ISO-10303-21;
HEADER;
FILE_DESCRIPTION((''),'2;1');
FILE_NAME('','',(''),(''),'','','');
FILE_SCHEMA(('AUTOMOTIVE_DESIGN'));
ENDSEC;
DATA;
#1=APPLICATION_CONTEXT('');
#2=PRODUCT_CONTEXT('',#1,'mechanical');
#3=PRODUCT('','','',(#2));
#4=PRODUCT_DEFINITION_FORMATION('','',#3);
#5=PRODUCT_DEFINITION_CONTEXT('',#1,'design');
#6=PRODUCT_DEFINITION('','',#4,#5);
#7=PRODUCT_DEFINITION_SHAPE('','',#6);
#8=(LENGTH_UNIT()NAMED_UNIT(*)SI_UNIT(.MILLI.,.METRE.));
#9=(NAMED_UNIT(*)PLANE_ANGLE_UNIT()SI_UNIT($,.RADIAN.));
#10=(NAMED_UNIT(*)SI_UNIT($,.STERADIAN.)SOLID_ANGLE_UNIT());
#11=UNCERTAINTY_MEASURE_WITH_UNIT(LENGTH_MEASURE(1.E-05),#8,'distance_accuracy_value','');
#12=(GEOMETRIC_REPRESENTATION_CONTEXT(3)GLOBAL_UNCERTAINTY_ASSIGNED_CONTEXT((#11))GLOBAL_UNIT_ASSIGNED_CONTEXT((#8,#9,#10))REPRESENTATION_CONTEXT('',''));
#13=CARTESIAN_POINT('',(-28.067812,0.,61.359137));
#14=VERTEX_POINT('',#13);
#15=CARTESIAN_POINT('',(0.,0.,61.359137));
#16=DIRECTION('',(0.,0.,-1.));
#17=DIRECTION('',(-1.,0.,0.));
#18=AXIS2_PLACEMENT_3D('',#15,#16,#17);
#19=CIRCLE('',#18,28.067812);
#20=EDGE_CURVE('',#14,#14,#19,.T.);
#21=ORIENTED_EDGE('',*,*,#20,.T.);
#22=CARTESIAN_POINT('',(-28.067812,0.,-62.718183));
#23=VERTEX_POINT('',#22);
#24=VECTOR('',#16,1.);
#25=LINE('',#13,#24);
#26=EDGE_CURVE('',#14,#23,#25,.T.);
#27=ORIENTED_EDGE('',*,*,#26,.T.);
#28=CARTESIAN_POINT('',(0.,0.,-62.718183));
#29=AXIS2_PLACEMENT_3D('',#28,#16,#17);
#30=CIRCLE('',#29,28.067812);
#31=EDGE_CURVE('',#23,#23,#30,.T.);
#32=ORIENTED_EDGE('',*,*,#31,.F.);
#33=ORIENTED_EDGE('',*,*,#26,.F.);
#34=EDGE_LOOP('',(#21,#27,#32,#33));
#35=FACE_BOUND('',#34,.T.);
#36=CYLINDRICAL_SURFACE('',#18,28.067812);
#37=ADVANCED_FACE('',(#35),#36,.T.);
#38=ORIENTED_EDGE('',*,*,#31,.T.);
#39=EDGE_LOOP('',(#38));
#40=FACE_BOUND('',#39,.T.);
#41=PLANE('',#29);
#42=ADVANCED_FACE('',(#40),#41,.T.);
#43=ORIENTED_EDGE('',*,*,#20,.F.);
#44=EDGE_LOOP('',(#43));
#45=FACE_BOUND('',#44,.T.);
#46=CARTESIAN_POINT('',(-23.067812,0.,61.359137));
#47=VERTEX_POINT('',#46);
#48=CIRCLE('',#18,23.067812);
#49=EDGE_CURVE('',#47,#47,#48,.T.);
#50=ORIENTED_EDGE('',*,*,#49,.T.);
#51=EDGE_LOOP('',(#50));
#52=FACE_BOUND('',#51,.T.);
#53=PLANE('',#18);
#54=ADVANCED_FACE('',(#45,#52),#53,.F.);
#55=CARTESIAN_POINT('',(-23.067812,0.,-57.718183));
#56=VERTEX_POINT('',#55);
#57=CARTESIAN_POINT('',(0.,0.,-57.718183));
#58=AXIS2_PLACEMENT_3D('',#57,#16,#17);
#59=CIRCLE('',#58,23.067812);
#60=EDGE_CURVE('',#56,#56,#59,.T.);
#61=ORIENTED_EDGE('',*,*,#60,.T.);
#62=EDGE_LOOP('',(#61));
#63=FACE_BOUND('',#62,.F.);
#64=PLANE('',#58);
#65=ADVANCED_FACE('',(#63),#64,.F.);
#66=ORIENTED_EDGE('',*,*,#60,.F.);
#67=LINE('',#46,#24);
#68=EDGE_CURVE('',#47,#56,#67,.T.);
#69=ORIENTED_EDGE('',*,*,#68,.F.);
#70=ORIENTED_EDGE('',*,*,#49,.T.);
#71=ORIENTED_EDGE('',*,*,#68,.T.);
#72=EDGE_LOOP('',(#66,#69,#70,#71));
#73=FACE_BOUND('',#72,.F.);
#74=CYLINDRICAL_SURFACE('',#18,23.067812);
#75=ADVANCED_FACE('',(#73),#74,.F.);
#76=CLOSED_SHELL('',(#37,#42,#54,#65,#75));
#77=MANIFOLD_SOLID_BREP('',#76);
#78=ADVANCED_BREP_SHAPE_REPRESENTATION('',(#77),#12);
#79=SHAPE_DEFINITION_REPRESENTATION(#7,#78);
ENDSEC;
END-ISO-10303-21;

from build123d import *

# Parameters (mm, degrees)
F2_T = -5


with BuildPart() as f1:
    # F0 (on Front) → F1 (revolve)
    with BuildSketch(Plane.XZ):
        Polygon((0, 61.359137), (-28.067812, 61.359137), (-28.067812, -62.718183), (0, -62.718183), (0, 0), align=None)
    revolve(axis=Axis((0, 0, -31.359091), (0, 0, -1)))

    # F2
    f2_openings = [f1.faces().sort_by_distance(p)[0] for p in [
        (0, 0, 61.359137),
    ]]
    offset(amount=F2_T, openings=f2_openings)


solid = f1.part
